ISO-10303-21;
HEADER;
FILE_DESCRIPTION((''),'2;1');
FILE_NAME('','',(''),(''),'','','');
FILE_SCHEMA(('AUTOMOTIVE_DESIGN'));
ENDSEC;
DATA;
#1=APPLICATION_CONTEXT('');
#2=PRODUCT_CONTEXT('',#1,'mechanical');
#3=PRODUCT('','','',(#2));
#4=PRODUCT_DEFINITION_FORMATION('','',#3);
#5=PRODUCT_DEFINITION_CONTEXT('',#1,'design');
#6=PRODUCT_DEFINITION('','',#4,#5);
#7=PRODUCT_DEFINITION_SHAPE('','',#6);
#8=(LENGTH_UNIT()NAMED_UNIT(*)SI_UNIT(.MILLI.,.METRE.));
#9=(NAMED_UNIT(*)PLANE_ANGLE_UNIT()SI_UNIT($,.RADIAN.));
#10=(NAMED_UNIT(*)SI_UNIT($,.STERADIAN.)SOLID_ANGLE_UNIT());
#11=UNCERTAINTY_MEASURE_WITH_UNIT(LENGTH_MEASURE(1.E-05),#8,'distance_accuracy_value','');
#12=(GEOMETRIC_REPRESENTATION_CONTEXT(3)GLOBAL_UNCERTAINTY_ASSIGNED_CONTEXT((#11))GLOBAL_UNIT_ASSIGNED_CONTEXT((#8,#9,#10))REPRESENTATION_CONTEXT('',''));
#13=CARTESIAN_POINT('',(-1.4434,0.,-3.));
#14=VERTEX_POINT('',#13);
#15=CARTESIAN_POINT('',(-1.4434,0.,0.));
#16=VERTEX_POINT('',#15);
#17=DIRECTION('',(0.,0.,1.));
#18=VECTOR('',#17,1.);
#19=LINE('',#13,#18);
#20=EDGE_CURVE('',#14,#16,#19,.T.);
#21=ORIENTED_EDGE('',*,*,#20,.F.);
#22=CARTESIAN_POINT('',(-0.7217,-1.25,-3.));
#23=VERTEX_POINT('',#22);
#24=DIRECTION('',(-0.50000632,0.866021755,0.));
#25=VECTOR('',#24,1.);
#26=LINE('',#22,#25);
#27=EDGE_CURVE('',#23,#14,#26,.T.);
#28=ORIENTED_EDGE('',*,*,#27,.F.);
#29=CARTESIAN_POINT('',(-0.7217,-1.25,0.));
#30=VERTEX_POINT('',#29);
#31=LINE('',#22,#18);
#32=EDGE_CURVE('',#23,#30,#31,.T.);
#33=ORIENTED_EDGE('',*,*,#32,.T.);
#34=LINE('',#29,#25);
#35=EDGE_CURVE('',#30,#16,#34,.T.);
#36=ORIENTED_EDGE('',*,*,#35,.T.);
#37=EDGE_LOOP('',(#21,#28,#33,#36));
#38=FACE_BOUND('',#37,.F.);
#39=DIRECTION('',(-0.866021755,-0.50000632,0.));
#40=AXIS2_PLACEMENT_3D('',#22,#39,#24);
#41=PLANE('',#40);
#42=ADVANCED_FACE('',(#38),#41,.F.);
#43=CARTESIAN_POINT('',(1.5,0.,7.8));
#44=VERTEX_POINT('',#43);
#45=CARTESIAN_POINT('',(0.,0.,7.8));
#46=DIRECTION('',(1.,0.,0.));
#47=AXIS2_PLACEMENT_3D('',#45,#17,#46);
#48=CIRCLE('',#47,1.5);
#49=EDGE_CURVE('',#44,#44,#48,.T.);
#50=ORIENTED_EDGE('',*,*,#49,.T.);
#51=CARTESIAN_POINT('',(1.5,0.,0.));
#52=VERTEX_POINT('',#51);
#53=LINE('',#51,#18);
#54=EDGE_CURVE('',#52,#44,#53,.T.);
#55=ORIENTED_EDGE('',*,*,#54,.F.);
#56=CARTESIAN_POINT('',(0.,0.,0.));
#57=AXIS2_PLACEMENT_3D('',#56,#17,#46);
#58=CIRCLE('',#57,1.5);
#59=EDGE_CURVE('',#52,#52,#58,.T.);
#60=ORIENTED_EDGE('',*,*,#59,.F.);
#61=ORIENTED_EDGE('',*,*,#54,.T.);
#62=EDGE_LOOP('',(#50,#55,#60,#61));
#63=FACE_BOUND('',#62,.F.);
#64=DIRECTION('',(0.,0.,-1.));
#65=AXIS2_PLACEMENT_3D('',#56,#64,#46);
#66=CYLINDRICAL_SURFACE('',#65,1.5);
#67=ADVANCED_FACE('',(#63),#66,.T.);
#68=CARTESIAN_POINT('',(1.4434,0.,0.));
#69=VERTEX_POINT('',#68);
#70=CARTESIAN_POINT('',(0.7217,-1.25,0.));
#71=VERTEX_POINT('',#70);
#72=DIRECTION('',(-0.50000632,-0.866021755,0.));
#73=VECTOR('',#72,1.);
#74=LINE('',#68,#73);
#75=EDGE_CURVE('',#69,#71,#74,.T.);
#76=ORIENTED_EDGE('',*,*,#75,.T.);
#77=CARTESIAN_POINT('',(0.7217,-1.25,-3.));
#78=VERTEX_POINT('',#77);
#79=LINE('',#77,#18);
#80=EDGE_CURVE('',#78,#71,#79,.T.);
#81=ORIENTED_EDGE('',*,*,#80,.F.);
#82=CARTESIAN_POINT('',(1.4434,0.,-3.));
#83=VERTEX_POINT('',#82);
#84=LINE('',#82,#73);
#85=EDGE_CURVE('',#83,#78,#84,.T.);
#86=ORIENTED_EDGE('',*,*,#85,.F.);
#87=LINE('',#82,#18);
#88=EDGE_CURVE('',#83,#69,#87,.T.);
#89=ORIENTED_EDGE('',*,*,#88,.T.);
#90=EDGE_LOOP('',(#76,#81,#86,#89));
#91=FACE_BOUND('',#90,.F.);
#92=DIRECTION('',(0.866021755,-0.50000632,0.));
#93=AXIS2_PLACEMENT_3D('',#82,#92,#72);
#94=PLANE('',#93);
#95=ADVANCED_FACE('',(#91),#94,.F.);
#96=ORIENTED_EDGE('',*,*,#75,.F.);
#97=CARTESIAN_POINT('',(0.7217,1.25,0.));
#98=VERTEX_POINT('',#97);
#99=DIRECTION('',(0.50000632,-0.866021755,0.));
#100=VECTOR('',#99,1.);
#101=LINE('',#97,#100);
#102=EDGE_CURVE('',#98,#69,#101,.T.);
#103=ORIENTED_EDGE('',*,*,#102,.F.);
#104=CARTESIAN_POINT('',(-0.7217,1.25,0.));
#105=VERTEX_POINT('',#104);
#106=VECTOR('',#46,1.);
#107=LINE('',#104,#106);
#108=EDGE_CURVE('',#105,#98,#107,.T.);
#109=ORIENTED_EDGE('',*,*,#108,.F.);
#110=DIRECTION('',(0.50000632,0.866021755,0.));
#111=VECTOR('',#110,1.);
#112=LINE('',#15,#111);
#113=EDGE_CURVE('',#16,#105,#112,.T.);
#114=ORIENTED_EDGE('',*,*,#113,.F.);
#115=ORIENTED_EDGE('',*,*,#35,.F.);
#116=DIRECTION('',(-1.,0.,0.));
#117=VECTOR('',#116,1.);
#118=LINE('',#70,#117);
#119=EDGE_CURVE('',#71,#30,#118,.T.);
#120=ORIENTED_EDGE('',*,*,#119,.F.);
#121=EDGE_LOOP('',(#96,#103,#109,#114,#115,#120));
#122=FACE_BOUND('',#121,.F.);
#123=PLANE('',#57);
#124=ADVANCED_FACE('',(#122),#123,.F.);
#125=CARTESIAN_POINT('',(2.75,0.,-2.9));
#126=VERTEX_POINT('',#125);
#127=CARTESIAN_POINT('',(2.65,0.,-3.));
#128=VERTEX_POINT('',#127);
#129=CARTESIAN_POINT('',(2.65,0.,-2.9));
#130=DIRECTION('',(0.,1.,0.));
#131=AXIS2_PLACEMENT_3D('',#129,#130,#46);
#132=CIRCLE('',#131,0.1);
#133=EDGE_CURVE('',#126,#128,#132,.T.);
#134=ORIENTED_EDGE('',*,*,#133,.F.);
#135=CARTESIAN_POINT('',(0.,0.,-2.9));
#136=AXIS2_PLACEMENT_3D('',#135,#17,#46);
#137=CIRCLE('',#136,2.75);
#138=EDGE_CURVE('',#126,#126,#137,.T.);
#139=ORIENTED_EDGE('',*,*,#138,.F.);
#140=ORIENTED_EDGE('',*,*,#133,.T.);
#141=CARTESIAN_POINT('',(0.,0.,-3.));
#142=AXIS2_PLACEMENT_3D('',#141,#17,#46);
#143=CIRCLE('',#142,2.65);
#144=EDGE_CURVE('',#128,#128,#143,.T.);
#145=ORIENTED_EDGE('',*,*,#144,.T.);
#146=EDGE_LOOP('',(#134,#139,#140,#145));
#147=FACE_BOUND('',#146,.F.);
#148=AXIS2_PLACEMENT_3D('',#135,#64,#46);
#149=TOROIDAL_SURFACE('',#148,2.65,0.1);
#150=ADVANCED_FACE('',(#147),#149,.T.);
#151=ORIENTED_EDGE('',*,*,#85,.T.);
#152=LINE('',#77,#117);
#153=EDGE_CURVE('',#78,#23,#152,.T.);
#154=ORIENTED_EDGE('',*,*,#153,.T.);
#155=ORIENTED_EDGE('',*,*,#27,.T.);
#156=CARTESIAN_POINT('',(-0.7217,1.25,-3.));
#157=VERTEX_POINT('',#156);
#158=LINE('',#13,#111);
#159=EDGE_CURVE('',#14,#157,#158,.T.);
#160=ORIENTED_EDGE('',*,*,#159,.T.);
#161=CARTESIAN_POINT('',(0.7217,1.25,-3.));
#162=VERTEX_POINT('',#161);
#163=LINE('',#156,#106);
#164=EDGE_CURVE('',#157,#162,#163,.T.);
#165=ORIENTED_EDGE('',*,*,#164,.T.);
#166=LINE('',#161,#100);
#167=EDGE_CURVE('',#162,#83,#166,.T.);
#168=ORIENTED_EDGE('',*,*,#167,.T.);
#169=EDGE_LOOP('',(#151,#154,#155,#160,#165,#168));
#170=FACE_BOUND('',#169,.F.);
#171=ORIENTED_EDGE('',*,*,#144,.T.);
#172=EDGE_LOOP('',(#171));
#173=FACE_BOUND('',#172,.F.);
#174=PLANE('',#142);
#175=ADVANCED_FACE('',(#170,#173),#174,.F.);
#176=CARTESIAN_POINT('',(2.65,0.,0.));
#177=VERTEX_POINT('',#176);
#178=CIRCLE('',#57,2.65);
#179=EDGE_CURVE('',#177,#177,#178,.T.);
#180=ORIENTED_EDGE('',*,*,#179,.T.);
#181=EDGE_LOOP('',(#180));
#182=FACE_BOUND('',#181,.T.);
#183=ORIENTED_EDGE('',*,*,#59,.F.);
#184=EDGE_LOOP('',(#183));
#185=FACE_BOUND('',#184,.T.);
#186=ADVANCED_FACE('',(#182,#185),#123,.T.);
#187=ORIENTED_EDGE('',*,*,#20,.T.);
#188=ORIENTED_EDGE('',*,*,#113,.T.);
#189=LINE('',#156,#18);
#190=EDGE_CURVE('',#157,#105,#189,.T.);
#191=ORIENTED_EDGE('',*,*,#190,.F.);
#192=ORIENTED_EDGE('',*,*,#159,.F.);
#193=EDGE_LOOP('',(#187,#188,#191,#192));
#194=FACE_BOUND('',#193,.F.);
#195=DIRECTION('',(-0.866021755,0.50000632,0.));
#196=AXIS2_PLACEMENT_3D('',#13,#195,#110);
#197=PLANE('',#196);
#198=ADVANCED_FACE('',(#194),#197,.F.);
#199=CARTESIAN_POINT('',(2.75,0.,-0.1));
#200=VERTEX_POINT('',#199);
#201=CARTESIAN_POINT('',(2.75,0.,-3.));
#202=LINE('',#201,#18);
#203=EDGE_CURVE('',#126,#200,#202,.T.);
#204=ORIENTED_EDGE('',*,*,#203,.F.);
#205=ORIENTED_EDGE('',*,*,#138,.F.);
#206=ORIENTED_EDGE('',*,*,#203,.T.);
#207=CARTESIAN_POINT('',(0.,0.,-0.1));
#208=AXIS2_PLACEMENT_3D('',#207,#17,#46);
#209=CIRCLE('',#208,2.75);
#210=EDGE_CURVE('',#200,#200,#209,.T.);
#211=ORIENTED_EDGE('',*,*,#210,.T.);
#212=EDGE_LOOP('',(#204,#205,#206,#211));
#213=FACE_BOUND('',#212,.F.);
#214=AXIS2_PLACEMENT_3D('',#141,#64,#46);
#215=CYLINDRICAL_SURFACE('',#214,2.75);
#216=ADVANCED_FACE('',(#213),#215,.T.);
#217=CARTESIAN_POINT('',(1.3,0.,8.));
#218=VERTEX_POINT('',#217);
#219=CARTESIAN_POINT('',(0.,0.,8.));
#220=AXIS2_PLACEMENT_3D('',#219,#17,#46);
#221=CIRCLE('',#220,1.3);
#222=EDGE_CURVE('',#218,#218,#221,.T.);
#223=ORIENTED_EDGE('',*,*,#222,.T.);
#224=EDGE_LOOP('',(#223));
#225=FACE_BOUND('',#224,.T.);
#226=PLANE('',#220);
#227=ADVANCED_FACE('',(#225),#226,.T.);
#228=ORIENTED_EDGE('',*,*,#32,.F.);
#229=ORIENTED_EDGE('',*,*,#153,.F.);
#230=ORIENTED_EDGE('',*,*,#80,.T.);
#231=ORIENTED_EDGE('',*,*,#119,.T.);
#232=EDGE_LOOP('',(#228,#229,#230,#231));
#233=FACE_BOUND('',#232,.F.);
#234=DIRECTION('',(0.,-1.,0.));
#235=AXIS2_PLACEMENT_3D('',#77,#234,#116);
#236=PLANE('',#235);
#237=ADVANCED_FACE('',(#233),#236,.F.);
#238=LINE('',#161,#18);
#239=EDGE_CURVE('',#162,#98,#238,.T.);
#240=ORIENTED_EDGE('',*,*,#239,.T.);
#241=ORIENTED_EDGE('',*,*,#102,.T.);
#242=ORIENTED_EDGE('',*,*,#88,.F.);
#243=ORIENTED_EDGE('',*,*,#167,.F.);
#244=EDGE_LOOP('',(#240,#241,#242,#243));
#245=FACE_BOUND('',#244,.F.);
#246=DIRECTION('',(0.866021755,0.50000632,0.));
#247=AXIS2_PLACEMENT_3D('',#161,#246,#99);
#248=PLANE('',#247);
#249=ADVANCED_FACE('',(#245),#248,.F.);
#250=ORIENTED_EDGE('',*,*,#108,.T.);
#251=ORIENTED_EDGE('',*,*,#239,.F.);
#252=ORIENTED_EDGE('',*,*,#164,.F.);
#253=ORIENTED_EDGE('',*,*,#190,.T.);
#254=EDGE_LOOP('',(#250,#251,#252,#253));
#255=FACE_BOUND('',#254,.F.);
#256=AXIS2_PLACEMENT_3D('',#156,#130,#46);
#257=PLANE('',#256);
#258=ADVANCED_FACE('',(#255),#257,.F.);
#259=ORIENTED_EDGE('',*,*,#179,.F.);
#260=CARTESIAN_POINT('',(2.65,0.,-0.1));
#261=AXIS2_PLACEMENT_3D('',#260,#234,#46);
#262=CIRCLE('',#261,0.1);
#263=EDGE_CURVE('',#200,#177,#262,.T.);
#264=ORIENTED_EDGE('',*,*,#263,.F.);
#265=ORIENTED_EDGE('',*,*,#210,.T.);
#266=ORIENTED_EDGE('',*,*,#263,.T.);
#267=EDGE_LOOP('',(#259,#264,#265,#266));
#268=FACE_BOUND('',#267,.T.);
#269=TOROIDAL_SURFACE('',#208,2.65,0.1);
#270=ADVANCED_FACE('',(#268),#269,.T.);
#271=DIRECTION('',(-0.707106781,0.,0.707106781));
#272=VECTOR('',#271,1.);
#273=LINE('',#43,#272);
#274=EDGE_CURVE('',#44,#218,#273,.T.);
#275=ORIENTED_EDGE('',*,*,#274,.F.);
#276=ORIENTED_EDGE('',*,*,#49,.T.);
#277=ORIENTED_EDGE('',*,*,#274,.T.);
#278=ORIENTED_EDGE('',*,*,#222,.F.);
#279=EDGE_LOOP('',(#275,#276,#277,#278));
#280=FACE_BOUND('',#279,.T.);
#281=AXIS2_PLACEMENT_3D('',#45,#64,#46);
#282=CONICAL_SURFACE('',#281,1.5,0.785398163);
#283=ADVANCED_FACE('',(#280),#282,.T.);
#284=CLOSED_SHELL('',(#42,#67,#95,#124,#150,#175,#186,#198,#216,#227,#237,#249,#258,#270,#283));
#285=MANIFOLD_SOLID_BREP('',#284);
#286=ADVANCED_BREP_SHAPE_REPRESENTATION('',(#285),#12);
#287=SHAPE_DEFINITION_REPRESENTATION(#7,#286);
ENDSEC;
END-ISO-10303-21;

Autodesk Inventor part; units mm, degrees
ref_plane "YZ Plane" through (0, 0, 0) normal (1, 0, 0) x (0, 1, 0)
ref_plane "XZ Plane" through (0, 0, 0) normal (0, 1, 0) x (-1, 0, 0)
ref_plane "Work Plane1" through (0, 0, -3) normal (0, 0, 1) x (1, 0, 0)
sketch "Sketch1" plane through (0, 0, -3) normal (0, 0, 1) x (1, 0, 0)
  circle A0 centre (0, 0) radius 2.75
extrude "Extrusion3" add sketch "Sketch1" along normal blind 3
fillet "Fillet1" radius 0.1 2 edges at (-2.75, 0, -3) (-2.75, 0, 0)
sketch "Sketch2" plane through (0, 0, -3) normal (0, 0, 1) x (1, 0, 0)
  line L0 (-0.7217, 1.25) -> (0.7217, 1.25)
  line L1 (0.7217, -1.25) -> (-0.7217, -1.25)
  line L2 (-0.7217, -1.25) -> (-1.4434, 0)
  line L3 (0.7217, 1.25) -> (1.4434, 0)
  line L4 (-1.4434, 0) -> (-0.7217, 1.25)
  line L5 (1.4434, 0) -> (0.7217, -1.25)
extrude "Extrusion2" cut sketch "Sketch2" along normal blind 3
sketch "Sketch3" plane through (0, 0, 0) normal (0, 0, 1) x (1, 0, 0)
  circle A0 centre (0, 0) radius 1.5
extrude "Extrusion1" add sketch "Sketch3" along normal blind 8
chamfer "Chamfer1" distance 0.2 angle 45 1 edges at (-1.5, 0, 8)
thread "Thread1" size "M3x0.5" class "6g" standard "ANSI Metric M Profile" full length
properties part number "DIN 912 M3 8 mm" material "Stainless Steel"
